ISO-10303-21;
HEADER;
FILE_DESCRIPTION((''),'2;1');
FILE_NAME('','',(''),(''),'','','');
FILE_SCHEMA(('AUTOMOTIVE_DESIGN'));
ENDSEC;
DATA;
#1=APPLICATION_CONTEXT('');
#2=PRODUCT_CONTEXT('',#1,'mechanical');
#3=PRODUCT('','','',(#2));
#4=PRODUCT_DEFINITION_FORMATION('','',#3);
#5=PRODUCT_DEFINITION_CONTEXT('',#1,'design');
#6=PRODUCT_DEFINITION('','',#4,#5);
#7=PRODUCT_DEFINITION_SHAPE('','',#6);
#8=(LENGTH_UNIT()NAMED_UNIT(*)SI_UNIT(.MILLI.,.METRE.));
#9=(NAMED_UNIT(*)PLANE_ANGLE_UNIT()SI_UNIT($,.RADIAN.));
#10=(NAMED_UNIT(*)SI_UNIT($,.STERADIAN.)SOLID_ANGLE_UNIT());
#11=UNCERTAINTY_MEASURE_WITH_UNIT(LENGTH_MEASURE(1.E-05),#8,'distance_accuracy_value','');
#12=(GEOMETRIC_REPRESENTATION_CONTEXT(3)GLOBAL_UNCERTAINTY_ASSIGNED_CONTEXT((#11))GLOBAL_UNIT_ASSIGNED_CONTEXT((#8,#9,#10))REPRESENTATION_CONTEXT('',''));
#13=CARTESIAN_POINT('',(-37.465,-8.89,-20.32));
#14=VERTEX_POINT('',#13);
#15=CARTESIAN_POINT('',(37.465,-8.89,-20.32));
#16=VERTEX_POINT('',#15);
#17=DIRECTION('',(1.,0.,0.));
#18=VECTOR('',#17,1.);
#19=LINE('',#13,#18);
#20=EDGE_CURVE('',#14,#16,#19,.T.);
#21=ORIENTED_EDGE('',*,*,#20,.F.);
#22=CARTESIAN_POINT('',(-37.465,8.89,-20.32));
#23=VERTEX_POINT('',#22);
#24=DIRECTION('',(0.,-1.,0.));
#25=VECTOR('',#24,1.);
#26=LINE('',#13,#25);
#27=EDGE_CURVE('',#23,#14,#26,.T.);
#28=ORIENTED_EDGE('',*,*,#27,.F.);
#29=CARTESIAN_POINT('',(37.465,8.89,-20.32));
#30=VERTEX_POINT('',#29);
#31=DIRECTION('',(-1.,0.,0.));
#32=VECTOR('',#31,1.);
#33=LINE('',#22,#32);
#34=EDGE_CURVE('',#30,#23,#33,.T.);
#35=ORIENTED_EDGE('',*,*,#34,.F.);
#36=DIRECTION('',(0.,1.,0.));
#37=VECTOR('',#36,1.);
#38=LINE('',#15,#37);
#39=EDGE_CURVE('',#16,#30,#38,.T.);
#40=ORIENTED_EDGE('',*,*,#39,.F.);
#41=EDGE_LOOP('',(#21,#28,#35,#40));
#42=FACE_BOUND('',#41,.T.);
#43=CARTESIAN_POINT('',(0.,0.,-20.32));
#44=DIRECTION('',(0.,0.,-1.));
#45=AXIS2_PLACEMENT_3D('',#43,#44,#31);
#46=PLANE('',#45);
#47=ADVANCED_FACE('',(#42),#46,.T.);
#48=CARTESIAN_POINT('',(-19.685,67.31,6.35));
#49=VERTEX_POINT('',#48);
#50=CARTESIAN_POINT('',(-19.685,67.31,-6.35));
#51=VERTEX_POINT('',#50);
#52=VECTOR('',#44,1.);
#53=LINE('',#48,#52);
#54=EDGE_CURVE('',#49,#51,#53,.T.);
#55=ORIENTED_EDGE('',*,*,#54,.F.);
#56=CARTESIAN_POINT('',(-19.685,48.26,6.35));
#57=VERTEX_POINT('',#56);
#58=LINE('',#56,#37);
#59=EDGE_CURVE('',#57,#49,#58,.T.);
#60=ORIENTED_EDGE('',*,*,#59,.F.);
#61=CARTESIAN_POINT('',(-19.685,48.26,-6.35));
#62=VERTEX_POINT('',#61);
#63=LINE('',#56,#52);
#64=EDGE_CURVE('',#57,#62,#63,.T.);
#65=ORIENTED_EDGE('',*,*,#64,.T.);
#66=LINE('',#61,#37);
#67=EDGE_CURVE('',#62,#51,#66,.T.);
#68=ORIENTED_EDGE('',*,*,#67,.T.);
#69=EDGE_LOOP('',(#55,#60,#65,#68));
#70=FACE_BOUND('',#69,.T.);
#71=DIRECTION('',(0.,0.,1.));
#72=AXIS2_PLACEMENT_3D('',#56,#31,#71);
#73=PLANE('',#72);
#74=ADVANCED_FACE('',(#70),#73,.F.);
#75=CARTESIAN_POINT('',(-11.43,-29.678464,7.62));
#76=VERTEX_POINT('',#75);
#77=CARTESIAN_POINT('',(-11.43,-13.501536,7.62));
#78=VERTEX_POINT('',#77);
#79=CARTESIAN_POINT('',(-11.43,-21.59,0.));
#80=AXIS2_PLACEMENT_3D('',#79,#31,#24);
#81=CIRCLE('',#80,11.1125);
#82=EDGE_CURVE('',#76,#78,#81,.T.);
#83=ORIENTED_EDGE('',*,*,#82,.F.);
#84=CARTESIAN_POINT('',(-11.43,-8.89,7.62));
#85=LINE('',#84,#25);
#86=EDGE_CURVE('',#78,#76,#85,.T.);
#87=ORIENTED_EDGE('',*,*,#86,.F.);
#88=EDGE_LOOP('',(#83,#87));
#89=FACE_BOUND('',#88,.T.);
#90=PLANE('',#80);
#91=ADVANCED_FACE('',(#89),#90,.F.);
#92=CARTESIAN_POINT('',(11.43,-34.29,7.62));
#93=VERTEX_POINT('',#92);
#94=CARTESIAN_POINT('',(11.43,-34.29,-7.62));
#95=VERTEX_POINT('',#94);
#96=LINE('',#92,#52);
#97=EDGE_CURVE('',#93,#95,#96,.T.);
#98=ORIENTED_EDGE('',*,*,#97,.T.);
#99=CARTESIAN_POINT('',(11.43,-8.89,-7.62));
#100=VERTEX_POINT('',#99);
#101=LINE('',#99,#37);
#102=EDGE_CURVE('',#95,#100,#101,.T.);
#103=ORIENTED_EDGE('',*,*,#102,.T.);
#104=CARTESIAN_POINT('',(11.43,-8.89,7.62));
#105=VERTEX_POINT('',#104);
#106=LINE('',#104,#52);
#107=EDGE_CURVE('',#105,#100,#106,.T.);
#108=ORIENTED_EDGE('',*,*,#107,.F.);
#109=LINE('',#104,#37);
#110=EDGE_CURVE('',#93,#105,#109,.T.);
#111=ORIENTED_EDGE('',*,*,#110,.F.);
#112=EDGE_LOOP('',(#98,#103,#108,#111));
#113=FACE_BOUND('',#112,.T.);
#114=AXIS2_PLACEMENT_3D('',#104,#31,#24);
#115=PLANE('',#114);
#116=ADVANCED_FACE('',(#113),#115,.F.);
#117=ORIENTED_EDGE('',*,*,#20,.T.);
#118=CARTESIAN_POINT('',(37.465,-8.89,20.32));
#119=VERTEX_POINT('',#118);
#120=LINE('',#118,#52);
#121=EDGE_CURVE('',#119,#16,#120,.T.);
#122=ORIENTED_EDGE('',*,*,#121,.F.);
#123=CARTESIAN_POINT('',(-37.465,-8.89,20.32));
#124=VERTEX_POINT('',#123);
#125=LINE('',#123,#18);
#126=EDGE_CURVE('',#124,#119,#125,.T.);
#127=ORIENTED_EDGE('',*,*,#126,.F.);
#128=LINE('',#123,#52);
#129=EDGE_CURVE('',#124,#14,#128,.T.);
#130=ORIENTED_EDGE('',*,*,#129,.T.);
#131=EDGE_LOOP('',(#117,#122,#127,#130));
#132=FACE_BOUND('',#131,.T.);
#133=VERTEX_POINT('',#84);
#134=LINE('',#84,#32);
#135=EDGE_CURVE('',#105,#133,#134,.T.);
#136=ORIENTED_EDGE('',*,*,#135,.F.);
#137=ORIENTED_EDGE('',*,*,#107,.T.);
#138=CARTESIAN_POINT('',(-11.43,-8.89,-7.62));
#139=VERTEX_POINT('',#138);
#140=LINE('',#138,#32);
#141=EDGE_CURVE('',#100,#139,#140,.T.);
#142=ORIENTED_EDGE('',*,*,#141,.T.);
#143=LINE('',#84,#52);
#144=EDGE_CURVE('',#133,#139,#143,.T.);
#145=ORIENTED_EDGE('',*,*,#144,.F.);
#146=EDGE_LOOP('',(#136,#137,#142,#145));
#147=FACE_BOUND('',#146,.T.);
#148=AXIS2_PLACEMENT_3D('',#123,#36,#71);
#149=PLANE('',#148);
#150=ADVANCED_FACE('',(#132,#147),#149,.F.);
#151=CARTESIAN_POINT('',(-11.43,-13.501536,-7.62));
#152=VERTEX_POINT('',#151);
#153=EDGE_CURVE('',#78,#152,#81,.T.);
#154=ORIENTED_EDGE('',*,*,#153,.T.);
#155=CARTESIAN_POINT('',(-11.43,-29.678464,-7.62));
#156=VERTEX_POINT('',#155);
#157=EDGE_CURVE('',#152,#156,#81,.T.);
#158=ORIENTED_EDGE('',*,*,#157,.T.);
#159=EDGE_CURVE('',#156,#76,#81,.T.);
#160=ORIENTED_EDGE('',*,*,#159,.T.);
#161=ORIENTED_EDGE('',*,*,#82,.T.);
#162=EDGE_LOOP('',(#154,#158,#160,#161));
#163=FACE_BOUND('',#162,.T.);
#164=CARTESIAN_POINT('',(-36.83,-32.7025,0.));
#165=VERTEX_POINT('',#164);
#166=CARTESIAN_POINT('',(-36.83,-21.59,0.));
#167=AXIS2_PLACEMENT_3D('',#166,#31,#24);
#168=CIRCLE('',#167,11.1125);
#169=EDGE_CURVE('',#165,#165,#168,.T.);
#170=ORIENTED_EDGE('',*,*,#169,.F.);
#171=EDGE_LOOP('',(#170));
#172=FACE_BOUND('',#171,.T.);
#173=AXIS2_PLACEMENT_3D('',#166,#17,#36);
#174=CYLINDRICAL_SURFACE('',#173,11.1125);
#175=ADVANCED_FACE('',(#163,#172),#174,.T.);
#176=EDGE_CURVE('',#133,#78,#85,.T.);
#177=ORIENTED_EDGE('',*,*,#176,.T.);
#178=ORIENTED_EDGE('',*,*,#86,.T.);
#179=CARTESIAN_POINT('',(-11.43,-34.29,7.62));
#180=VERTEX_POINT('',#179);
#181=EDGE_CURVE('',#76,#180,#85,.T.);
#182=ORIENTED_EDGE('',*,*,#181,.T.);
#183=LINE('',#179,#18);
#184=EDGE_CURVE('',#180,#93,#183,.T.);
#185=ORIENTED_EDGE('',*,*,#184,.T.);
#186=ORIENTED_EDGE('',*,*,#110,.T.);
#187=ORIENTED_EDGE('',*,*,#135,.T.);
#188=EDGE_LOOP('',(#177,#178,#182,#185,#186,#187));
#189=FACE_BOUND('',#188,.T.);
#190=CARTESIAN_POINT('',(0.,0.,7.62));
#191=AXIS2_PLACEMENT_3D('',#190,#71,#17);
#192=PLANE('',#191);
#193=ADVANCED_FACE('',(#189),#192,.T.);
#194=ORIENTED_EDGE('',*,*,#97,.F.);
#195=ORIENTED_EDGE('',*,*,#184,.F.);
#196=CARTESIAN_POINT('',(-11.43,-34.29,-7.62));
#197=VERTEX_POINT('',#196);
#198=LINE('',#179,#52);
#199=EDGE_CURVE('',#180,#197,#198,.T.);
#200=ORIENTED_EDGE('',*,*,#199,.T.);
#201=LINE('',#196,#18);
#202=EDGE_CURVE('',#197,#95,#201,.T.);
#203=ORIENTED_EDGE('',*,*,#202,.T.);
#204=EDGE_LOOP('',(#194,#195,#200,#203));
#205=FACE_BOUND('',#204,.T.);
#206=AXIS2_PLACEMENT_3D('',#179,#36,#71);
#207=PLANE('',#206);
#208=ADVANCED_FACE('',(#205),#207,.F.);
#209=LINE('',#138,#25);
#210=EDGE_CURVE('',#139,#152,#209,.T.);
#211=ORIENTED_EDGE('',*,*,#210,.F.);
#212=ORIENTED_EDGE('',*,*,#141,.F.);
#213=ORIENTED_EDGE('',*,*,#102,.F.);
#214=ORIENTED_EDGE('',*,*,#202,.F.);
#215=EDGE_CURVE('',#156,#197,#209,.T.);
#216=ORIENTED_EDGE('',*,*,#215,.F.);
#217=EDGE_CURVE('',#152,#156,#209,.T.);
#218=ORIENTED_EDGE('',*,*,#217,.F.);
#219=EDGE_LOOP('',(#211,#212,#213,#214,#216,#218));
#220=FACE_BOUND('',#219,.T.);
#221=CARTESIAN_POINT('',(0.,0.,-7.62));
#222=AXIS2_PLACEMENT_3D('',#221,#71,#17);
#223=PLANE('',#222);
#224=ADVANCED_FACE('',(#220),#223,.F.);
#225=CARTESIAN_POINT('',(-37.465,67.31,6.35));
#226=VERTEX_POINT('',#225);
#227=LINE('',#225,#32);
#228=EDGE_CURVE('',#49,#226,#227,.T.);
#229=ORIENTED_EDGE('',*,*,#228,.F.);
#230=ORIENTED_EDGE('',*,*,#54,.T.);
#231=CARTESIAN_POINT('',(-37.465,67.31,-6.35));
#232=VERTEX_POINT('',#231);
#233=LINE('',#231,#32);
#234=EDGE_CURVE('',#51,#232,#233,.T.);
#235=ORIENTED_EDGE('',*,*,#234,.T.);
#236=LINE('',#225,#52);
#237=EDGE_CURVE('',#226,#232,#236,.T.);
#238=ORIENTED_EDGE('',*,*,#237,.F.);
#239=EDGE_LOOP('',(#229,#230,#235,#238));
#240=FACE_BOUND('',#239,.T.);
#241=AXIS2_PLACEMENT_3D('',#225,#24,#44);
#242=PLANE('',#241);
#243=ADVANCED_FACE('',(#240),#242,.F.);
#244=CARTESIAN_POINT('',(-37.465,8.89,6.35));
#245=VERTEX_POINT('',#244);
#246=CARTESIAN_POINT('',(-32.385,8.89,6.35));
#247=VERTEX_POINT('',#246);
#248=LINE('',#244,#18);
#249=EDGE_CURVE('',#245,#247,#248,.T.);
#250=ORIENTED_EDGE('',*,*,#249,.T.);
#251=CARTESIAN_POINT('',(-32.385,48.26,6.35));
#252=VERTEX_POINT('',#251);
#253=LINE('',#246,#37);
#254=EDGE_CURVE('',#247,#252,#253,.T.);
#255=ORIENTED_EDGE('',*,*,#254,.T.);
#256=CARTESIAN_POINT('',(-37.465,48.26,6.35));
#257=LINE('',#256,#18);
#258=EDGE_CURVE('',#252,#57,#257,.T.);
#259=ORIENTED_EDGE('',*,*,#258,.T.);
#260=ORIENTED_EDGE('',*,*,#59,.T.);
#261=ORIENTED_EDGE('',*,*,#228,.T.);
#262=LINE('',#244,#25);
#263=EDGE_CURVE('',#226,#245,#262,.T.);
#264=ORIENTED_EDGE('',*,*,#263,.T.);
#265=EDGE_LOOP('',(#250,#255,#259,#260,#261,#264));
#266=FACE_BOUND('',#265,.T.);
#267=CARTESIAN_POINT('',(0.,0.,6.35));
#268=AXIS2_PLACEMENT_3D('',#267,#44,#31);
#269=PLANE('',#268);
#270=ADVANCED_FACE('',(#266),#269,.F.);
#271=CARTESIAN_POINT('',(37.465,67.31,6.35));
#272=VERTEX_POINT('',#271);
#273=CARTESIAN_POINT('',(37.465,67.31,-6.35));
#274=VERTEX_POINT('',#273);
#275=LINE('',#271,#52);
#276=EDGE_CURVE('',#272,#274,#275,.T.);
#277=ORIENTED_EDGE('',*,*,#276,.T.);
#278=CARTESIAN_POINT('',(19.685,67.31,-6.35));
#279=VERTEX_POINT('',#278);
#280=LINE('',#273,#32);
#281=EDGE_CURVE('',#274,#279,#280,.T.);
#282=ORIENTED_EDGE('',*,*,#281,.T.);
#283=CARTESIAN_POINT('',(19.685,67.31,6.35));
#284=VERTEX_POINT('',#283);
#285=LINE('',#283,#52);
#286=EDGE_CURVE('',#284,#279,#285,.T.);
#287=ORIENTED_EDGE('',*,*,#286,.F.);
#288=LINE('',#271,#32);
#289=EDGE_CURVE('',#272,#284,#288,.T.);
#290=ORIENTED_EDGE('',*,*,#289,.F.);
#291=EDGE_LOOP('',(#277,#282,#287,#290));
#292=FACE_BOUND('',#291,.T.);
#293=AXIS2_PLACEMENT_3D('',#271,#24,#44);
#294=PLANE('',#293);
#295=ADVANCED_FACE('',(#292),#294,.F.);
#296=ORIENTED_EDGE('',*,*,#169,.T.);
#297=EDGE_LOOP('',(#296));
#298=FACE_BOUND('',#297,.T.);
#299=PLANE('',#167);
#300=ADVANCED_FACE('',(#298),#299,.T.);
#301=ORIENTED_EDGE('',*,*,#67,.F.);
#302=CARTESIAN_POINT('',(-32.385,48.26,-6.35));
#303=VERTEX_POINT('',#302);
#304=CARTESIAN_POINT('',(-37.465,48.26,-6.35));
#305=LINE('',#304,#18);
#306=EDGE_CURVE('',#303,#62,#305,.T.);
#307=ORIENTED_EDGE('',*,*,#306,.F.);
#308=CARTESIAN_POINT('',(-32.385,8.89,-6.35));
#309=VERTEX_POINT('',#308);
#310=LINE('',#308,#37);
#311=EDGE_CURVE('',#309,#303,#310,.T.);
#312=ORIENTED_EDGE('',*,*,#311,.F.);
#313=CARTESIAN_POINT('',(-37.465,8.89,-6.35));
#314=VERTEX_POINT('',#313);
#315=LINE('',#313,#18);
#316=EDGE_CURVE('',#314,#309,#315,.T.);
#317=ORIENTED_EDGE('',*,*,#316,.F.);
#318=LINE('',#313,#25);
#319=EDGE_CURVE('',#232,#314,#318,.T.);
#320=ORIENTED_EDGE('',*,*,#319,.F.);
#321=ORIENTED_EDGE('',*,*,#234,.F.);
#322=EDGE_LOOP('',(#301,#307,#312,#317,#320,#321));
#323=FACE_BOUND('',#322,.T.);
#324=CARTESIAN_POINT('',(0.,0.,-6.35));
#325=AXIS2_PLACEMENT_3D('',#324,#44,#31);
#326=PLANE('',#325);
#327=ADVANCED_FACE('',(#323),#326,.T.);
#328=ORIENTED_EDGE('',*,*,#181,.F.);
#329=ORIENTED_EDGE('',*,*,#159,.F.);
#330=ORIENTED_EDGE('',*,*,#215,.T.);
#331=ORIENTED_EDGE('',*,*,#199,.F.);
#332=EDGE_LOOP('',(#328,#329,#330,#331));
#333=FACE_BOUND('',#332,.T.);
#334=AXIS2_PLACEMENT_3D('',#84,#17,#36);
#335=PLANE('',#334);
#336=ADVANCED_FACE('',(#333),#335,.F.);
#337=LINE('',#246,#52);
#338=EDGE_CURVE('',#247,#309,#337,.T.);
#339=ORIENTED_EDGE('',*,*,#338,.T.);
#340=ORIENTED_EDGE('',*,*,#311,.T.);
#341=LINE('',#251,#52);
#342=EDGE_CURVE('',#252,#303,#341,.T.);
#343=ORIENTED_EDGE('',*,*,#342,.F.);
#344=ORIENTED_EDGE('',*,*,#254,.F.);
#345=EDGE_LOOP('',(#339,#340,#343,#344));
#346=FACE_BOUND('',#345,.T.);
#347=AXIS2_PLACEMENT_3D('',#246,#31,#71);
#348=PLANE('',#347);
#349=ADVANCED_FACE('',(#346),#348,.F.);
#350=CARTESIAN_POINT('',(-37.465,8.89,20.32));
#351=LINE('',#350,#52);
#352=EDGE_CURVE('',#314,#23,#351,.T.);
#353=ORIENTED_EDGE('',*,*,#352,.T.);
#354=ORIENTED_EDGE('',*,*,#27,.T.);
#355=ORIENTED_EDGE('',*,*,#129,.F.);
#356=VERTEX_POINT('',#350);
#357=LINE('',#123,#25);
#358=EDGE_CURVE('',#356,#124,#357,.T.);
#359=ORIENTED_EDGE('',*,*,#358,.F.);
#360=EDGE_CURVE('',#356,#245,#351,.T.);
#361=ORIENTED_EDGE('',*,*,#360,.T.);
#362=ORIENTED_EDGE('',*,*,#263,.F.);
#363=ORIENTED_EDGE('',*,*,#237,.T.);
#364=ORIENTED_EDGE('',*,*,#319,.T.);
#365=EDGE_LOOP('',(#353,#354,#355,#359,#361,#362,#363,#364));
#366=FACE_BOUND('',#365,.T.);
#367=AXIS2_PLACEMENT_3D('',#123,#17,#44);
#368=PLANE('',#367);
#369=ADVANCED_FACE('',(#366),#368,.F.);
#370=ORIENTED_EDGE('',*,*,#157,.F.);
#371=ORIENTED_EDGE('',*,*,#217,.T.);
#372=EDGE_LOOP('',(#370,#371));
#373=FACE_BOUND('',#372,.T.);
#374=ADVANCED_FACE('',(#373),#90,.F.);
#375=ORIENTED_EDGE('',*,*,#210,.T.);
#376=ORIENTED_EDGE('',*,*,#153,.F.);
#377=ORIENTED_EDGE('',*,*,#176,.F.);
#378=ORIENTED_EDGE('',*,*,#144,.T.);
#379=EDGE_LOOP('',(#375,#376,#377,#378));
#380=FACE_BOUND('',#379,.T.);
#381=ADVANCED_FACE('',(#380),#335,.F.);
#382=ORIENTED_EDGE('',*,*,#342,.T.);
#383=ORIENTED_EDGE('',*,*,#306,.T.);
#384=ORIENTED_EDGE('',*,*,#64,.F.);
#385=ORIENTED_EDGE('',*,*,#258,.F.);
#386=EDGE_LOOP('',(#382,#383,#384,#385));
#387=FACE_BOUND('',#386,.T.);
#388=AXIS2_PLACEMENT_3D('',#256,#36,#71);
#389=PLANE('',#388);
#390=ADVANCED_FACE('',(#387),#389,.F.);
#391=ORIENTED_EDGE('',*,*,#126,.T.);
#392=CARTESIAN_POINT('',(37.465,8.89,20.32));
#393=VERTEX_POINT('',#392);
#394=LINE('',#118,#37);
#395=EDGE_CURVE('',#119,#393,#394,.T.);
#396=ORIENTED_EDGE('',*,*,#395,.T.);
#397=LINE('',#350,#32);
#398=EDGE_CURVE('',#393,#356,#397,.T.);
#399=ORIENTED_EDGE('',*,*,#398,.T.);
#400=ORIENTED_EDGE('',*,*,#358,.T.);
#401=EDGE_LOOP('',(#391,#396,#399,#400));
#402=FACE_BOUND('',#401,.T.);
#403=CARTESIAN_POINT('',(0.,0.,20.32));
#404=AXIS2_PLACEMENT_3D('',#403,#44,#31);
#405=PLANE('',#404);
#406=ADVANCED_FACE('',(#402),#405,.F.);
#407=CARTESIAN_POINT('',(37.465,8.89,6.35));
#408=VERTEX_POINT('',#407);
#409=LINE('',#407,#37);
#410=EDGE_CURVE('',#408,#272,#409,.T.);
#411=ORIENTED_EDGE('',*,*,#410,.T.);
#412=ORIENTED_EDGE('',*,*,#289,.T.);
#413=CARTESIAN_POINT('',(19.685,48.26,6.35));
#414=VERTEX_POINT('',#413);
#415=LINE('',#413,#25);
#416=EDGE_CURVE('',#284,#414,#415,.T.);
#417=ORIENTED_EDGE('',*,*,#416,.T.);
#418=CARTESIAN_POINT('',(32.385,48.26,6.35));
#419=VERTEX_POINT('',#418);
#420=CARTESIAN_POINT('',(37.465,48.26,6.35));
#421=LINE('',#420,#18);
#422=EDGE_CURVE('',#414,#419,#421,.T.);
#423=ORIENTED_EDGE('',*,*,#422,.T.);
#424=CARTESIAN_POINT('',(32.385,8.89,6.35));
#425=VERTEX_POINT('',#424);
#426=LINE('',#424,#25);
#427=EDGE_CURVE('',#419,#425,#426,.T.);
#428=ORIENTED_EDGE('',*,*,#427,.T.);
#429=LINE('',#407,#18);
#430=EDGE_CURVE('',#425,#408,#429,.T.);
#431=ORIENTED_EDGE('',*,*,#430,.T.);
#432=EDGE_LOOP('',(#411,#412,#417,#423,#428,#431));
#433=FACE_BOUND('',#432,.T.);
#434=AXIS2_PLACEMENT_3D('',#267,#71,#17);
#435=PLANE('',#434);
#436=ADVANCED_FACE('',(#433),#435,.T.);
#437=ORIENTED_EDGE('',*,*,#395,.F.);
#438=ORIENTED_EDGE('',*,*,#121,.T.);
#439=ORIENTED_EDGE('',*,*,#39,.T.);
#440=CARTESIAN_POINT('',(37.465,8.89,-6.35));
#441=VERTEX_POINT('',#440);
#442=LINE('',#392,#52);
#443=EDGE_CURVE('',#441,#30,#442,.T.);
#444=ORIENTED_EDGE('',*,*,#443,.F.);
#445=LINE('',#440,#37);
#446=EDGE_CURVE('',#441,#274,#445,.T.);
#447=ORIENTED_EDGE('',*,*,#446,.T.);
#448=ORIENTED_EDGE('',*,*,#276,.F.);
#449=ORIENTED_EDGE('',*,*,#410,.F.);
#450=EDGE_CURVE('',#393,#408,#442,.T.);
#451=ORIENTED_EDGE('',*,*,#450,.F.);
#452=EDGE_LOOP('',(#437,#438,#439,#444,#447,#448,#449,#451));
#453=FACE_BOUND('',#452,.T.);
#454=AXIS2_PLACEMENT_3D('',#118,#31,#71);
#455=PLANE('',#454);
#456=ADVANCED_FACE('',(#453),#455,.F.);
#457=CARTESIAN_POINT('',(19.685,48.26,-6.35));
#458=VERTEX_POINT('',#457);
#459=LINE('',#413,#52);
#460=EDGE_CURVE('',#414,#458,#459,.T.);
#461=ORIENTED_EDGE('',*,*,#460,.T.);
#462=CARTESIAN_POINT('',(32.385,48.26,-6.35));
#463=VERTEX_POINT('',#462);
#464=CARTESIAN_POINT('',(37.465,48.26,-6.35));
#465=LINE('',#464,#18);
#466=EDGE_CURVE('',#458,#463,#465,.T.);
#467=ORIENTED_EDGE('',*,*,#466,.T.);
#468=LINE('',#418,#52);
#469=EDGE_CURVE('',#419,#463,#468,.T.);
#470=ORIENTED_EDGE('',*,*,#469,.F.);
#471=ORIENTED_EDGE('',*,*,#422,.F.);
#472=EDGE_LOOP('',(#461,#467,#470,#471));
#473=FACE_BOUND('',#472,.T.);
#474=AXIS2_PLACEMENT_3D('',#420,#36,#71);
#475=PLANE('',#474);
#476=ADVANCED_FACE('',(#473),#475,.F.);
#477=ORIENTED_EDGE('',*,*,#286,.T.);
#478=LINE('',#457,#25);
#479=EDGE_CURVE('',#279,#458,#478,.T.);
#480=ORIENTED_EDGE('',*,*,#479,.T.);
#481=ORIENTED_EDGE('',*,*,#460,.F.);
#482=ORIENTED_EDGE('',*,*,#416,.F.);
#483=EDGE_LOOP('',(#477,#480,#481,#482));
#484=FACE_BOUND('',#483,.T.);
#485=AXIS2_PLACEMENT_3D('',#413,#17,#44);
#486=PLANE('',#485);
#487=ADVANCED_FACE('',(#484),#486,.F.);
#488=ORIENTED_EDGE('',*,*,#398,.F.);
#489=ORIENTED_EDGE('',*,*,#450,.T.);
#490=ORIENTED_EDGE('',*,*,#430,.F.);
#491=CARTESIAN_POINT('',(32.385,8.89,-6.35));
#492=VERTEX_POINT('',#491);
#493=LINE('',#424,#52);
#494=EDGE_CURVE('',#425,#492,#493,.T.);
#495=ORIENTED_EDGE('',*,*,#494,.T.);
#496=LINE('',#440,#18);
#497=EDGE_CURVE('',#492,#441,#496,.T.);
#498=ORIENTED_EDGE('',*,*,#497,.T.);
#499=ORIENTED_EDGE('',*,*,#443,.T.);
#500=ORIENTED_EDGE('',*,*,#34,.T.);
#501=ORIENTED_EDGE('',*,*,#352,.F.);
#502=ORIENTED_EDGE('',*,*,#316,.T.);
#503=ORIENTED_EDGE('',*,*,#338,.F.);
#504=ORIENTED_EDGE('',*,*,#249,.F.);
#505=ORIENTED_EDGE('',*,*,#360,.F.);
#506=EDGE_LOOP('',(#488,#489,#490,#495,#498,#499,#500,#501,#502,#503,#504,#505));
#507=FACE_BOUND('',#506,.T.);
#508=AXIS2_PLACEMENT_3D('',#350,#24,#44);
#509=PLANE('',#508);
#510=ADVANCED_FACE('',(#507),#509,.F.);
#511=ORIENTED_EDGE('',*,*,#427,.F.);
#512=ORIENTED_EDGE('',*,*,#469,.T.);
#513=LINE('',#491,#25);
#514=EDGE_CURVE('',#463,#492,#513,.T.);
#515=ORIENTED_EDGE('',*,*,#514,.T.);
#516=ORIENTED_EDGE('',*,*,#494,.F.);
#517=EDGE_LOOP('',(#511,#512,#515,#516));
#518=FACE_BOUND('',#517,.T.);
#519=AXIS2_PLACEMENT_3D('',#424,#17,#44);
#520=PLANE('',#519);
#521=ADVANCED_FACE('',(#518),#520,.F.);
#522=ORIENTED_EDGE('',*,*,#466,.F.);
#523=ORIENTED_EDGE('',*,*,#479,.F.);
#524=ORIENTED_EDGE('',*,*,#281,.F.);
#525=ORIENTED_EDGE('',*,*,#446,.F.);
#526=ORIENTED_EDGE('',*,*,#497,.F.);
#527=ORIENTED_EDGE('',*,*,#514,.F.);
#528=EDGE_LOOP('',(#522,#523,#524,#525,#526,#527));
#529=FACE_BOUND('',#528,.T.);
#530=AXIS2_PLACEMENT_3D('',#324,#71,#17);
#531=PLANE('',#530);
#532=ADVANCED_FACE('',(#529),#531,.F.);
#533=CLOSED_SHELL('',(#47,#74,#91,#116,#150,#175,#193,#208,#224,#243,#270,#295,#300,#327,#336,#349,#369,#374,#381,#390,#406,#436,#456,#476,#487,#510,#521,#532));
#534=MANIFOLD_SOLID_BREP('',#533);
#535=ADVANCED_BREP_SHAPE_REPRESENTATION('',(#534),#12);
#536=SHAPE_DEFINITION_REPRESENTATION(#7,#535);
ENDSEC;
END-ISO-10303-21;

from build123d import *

# Parameters (mm, degrees)
SKETCH1_W           = 74.93
SKETCH1_H           = 17.78
BOSS_EXTRUDE1_DEPTH = 20.32
SKETCH2_W           = 5.08
SKETCH2_H           = 39.37
BOSS_EXTRUDE2_DEPTH = 6.35
SKETCH3_W           = 17.78
SKETCH3_H           = 19.05
BOSS_EXTRUDE3_DEPTH = 6.35
SKETCH5_W           = 22.86
SKETCH5_H           = 25.4
BOSS_EXTRUDE4_DEPTH = 7.62
SKETCH6_R           = 11.1125
BOSS_EXTRUDE5_DEPTH = 25.4


with BuildPart() as part:
    # Sketch1 → Boss-Extrude1 (new, symmetric)
    with BuildSketch(Plane.XY):
        Rectangle(SKETCH1_W, SKETCH1_H)
    extrude(amount=BOSS_EXTRUDE1_DEPTH, both=True)

    # Sketch2 → Boss-Extrude2 (add, symmetric)
    with BuildSketch(Plane.XY):
        with Locations((-34.925, 28.575)):
            Rectangle(SKETCH2_W, SKETCH2_H)
        with Locations((34.925, 28.575)):
            Rectangle(SKETCH2_W, SKETCH2_H)
    extrude(amount=BOSS_EXTRUDE2_DEPTH, both=True)

    # Sketch3 → Boss-Extrude3 (add, symmetric)
    with BuildSketch(Plane.XY):
        with Locations((28.575, 57.785)):
            Rectangle(SKETCH3_W, SKETCH3_H)
        with Locations((-28.575, 57.785)):
            Rectangle(SKETCH3_W, SKETCH3_H)
    extrude(amount=BOSS_EXTRUDE3_DEPTH, both=True)

    # Sketch5 → Boss-Extrude4 (add, symmetric)
    with BuildSketch(Plane.XY):
        with Locations((0, -21.59)):
            Rectangle(SKETCH5_W, SKETCH5_H)
    extrude(amount=BOSS_EXTRUDE4_DEPTH, both=True)

    # Sketch6 → Boss-Extrude5 (add)
    with BuildSketch(Plane.ZY.offset(11.43)):
        with Locations(Location((0, -21.59, 0), (0, 0, 46.708192407))):
            Circle(SKETCH6_R)
    extrude(amount=BOSS_EXTRUDE5_DEPTH)


solid = part.part
